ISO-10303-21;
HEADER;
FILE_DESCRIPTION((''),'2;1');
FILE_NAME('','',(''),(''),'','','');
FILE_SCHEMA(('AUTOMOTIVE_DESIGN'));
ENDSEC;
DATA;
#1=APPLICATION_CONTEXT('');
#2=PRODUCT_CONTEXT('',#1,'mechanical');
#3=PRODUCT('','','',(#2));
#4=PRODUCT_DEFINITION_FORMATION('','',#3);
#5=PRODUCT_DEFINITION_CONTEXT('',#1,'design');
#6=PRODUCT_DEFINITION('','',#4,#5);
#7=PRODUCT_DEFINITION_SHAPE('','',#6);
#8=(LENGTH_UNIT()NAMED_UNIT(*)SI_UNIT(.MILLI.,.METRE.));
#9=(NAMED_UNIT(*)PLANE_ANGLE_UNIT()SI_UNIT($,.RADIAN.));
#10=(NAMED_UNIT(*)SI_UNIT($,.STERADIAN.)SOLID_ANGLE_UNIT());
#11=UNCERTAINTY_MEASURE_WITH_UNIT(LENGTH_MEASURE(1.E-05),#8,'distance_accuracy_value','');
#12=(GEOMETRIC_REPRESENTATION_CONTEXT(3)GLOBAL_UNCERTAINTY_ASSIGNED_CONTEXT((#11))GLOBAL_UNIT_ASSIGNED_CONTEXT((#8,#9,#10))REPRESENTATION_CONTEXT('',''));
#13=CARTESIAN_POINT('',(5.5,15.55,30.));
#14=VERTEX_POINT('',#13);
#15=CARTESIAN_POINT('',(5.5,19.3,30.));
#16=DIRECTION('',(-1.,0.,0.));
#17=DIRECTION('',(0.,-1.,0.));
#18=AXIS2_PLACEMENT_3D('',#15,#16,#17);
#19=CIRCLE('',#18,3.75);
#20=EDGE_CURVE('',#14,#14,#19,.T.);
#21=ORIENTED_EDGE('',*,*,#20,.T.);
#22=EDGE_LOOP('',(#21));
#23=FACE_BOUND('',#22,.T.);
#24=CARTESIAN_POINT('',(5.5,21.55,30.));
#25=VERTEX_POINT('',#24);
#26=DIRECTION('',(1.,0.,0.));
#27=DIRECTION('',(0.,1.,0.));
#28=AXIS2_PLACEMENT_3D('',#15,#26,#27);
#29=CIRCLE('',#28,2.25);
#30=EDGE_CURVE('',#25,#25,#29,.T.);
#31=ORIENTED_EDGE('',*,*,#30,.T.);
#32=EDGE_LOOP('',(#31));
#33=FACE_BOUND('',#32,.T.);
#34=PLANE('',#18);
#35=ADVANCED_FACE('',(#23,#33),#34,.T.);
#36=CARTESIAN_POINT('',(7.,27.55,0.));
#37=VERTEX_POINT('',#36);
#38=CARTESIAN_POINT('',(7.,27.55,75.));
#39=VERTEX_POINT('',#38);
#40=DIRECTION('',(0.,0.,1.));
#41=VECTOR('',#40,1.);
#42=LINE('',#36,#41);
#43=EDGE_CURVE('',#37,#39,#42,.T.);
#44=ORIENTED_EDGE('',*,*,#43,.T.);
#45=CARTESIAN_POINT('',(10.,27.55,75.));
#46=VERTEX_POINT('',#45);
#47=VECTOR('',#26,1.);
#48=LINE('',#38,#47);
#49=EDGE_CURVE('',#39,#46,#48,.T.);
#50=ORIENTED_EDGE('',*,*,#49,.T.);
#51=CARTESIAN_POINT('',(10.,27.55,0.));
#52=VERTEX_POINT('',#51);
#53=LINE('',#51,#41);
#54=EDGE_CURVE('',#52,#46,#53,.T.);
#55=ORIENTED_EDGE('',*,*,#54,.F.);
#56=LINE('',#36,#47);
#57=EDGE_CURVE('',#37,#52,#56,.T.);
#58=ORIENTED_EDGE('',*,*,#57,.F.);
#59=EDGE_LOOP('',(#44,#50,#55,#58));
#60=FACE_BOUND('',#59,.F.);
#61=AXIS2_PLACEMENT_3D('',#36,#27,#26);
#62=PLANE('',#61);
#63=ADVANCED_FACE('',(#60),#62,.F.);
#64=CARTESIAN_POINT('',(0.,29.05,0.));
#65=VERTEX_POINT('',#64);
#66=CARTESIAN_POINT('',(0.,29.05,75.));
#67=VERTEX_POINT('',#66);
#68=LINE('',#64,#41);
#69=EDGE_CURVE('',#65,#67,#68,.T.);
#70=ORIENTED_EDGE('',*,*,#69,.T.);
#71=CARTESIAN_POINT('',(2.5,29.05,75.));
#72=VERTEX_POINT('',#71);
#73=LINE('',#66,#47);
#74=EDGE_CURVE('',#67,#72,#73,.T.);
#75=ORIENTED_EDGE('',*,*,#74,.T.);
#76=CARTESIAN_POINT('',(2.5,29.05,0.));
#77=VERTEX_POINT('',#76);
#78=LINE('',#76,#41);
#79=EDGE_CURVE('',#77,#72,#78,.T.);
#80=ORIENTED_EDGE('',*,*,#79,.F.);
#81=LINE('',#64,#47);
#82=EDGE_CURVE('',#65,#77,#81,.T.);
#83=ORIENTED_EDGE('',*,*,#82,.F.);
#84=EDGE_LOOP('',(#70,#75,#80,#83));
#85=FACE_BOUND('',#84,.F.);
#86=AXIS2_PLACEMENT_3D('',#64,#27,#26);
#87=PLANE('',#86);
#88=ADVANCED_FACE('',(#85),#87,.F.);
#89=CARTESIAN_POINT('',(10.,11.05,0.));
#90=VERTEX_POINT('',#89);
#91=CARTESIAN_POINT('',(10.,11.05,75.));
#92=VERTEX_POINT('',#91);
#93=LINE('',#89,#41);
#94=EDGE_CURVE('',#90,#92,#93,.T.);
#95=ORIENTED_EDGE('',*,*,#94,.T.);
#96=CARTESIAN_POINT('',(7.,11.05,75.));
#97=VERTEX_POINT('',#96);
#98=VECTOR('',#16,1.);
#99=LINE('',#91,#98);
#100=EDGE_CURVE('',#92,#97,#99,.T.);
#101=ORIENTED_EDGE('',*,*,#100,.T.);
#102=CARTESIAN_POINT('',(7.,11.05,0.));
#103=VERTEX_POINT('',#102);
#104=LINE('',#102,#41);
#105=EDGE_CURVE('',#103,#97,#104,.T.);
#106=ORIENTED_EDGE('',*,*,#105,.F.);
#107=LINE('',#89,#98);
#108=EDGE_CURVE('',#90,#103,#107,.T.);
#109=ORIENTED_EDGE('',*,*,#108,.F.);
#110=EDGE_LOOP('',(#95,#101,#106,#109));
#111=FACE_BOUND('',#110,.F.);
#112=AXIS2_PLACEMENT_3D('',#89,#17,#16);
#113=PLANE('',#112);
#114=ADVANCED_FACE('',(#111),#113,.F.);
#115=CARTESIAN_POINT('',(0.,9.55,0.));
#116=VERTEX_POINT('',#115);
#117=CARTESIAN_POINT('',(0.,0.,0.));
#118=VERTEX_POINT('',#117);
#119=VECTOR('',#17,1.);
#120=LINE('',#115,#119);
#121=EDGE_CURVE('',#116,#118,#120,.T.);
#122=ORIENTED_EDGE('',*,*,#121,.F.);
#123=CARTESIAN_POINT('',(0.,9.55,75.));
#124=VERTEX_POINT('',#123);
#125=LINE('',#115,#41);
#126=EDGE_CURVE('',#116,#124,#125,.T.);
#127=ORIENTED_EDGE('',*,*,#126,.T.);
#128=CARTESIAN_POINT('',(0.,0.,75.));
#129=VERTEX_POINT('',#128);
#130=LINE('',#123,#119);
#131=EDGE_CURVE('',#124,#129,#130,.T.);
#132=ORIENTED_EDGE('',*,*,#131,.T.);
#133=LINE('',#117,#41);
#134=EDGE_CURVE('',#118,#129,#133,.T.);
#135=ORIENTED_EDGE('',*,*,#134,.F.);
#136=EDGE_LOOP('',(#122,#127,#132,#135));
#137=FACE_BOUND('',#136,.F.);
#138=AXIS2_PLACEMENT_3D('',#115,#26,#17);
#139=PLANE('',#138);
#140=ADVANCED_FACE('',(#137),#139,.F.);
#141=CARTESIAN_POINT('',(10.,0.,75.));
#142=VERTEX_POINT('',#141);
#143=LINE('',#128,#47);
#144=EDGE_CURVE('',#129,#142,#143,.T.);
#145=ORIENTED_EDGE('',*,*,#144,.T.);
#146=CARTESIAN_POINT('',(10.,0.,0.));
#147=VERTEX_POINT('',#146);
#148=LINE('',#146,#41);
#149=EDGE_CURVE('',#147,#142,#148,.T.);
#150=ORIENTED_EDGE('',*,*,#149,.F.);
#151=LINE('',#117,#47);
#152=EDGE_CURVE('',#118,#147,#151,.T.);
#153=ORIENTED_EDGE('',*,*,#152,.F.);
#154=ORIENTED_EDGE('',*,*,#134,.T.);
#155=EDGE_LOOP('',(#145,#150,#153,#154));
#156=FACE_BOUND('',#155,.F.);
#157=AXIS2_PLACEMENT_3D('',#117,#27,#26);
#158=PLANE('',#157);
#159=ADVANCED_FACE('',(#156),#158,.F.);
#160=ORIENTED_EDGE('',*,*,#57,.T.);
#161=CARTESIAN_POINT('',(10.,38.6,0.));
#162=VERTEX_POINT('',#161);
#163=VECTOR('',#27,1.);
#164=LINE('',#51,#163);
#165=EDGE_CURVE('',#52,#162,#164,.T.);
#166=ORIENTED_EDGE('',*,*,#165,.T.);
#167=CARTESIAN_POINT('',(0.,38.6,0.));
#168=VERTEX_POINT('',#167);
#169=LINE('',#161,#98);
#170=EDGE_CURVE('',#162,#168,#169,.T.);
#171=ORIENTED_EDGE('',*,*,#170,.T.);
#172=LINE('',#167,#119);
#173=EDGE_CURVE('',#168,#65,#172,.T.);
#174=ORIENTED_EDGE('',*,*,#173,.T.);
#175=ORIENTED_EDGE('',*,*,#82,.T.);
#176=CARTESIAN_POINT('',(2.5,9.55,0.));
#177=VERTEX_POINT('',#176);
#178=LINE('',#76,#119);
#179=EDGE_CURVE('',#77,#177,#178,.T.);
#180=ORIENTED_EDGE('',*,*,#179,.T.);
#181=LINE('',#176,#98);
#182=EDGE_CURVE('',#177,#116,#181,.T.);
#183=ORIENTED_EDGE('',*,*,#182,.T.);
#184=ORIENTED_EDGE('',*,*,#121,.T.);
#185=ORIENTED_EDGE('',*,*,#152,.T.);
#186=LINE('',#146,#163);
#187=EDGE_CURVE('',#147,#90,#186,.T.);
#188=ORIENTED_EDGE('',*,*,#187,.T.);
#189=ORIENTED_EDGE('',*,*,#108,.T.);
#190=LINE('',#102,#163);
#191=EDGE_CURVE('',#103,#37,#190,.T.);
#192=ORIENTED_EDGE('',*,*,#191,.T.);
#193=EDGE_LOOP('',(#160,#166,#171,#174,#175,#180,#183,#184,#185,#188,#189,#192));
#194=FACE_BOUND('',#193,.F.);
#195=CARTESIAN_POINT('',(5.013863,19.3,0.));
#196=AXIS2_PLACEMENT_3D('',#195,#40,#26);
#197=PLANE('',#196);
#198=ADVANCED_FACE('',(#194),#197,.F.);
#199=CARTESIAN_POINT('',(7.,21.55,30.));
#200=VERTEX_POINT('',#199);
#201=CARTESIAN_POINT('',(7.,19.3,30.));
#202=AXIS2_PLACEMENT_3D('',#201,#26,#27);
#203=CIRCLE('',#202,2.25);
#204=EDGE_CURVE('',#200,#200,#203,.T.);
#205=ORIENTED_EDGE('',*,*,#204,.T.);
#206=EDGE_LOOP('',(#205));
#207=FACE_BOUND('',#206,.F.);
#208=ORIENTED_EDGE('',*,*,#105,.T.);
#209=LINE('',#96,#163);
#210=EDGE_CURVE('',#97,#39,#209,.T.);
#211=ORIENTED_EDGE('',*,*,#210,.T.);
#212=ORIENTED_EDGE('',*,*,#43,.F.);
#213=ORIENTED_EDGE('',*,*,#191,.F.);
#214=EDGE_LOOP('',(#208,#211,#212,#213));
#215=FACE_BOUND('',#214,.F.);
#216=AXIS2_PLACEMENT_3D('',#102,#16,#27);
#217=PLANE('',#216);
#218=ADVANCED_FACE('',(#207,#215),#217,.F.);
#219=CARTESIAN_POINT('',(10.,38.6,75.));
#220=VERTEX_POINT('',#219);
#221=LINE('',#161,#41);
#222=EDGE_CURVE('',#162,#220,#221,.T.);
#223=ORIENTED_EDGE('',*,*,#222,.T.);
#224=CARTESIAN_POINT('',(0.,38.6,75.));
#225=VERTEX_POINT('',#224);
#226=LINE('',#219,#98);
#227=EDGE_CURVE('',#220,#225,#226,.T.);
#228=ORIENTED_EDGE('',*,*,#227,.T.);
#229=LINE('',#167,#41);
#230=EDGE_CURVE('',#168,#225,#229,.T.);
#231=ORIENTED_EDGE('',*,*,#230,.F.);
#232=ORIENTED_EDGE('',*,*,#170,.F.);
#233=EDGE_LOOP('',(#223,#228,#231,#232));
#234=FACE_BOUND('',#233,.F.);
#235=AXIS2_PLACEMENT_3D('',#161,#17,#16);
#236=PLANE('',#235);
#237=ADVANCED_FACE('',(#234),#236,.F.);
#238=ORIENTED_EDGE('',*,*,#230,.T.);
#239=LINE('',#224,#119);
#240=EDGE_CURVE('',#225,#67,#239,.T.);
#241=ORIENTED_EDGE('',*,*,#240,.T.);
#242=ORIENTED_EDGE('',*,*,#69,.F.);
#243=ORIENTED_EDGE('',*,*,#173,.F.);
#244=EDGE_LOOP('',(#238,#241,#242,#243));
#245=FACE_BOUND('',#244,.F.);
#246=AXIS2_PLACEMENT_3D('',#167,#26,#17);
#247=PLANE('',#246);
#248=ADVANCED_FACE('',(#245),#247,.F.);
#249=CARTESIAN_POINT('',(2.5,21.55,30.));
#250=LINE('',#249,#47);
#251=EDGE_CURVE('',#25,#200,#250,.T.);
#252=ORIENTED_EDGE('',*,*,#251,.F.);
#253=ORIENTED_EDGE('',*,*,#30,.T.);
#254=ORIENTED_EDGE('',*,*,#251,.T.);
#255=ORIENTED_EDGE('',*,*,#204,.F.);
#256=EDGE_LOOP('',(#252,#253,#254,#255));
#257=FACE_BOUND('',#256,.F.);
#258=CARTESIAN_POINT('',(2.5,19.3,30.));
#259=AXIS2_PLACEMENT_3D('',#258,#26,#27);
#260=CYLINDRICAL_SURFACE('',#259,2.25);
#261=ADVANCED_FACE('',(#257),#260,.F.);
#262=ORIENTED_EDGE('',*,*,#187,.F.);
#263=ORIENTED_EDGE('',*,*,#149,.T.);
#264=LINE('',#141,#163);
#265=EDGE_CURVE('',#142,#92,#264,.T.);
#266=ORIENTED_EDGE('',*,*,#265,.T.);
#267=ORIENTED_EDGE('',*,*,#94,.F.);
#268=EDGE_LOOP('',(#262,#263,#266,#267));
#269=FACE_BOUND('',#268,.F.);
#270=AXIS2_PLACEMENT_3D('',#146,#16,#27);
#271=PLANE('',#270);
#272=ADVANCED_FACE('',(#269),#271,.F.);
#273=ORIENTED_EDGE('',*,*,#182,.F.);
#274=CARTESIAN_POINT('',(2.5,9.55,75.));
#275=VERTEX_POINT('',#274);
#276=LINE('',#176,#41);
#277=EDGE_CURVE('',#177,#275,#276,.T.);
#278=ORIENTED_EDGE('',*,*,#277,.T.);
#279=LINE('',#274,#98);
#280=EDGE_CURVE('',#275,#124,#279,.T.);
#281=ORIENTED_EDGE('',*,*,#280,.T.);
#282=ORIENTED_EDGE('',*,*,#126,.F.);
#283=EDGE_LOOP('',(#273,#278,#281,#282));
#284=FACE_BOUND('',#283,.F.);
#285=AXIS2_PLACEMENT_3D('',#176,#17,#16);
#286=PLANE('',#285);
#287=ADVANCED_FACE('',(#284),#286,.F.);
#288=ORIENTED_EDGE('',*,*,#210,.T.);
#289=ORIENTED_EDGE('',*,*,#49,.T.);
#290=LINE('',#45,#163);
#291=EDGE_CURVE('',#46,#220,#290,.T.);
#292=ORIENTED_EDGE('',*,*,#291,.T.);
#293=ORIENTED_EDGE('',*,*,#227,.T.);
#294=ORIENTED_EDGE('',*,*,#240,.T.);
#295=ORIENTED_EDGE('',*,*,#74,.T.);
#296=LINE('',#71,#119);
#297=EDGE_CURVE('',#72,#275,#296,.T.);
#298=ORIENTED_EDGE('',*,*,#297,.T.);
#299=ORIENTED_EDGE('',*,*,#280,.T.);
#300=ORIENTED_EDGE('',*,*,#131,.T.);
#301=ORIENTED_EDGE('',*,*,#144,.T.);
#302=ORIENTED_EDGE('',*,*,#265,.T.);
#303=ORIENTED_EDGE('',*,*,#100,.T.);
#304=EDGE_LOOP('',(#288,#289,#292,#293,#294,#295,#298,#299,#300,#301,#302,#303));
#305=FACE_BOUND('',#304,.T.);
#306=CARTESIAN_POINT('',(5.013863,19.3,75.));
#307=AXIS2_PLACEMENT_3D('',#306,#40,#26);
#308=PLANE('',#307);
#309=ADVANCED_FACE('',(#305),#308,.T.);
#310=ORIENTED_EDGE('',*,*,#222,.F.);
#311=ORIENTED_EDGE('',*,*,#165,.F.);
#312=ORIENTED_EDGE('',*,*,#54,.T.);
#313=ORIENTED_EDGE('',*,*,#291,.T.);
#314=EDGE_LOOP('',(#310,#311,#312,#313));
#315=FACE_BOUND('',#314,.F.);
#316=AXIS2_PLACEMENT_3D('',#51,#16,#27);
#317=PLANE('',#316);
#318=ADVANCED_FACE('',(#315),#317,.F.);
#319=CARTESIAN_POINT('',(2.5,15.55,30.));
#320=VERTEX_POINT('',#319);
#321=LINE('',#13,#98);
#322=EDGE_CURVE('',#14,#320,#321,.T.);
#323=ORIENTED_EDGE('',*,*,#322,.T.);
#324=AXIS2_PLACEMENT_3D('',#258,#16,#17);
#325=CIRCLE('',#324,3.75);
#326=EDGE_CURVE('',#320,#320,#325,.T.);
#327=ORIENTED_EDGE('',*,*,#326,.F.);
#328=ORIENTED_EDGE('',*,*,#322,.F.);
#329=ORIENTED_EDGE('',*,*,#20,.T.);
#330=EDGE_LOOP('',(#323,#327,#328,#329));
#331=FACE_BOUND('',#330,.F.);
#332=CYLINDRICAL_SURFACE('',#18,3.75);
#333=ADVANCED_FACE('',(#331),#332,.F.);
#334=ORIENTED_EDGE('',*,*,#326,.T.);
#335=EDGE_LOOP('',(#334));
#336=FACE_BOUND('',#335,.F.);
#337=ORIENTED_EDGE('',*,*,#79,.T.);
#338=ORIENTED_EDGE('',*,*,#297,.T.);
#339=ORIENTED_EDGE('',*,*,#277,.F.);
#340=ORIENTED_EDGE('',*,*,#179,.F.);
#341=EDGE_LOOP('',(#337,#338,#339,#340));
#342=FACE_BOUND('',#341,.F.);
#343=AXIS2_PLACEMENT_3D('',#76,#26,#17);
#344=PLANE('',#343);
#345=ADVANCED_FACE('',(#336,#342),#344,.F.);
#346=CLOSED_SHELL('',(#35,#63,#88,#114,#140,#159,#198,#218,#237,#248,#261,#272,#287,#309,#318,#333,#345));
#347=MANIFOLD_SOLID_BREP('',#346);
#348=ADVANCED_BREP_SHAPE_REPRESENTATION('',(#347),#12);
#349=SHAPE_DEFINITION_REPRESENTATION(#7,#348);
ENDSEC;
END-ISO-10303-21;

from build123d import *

# Parameters (mm, degrees)
F1_DEPTH       = 75
F3_D           = 4.5
F3_CBORE_D     = 7.5
F3_CBORE_DEPTH = 3


with BuildPart() as f1:
    # F0 (on Top) → F1 (new body)
    with BuildSketch(Plane.XY):
        Polygon((0, 9.55), (0, 0), (10, 0), (10, 11.05), (7, 11.05), (7, 27.55), (10, 27.55), (10, 38.6), (0, 38.6), (0, 29.05), (2.5, 29.05), (2.5, 9.55), align=None)
    extrude(amount=F1_DEPTH)

    # F3 (through all)
    with Locations(Plane(origin=(2.5, 0, 0), x_dir=(0, -1, 0), z_dir=(-1, 0, 0))):
        with Locations((-19.3, 30)):
            CounterBoreHole(F3_D / 2, F3_CBORE_D / 2, F3_CBORE_DEPTH)


solid = f1.part
